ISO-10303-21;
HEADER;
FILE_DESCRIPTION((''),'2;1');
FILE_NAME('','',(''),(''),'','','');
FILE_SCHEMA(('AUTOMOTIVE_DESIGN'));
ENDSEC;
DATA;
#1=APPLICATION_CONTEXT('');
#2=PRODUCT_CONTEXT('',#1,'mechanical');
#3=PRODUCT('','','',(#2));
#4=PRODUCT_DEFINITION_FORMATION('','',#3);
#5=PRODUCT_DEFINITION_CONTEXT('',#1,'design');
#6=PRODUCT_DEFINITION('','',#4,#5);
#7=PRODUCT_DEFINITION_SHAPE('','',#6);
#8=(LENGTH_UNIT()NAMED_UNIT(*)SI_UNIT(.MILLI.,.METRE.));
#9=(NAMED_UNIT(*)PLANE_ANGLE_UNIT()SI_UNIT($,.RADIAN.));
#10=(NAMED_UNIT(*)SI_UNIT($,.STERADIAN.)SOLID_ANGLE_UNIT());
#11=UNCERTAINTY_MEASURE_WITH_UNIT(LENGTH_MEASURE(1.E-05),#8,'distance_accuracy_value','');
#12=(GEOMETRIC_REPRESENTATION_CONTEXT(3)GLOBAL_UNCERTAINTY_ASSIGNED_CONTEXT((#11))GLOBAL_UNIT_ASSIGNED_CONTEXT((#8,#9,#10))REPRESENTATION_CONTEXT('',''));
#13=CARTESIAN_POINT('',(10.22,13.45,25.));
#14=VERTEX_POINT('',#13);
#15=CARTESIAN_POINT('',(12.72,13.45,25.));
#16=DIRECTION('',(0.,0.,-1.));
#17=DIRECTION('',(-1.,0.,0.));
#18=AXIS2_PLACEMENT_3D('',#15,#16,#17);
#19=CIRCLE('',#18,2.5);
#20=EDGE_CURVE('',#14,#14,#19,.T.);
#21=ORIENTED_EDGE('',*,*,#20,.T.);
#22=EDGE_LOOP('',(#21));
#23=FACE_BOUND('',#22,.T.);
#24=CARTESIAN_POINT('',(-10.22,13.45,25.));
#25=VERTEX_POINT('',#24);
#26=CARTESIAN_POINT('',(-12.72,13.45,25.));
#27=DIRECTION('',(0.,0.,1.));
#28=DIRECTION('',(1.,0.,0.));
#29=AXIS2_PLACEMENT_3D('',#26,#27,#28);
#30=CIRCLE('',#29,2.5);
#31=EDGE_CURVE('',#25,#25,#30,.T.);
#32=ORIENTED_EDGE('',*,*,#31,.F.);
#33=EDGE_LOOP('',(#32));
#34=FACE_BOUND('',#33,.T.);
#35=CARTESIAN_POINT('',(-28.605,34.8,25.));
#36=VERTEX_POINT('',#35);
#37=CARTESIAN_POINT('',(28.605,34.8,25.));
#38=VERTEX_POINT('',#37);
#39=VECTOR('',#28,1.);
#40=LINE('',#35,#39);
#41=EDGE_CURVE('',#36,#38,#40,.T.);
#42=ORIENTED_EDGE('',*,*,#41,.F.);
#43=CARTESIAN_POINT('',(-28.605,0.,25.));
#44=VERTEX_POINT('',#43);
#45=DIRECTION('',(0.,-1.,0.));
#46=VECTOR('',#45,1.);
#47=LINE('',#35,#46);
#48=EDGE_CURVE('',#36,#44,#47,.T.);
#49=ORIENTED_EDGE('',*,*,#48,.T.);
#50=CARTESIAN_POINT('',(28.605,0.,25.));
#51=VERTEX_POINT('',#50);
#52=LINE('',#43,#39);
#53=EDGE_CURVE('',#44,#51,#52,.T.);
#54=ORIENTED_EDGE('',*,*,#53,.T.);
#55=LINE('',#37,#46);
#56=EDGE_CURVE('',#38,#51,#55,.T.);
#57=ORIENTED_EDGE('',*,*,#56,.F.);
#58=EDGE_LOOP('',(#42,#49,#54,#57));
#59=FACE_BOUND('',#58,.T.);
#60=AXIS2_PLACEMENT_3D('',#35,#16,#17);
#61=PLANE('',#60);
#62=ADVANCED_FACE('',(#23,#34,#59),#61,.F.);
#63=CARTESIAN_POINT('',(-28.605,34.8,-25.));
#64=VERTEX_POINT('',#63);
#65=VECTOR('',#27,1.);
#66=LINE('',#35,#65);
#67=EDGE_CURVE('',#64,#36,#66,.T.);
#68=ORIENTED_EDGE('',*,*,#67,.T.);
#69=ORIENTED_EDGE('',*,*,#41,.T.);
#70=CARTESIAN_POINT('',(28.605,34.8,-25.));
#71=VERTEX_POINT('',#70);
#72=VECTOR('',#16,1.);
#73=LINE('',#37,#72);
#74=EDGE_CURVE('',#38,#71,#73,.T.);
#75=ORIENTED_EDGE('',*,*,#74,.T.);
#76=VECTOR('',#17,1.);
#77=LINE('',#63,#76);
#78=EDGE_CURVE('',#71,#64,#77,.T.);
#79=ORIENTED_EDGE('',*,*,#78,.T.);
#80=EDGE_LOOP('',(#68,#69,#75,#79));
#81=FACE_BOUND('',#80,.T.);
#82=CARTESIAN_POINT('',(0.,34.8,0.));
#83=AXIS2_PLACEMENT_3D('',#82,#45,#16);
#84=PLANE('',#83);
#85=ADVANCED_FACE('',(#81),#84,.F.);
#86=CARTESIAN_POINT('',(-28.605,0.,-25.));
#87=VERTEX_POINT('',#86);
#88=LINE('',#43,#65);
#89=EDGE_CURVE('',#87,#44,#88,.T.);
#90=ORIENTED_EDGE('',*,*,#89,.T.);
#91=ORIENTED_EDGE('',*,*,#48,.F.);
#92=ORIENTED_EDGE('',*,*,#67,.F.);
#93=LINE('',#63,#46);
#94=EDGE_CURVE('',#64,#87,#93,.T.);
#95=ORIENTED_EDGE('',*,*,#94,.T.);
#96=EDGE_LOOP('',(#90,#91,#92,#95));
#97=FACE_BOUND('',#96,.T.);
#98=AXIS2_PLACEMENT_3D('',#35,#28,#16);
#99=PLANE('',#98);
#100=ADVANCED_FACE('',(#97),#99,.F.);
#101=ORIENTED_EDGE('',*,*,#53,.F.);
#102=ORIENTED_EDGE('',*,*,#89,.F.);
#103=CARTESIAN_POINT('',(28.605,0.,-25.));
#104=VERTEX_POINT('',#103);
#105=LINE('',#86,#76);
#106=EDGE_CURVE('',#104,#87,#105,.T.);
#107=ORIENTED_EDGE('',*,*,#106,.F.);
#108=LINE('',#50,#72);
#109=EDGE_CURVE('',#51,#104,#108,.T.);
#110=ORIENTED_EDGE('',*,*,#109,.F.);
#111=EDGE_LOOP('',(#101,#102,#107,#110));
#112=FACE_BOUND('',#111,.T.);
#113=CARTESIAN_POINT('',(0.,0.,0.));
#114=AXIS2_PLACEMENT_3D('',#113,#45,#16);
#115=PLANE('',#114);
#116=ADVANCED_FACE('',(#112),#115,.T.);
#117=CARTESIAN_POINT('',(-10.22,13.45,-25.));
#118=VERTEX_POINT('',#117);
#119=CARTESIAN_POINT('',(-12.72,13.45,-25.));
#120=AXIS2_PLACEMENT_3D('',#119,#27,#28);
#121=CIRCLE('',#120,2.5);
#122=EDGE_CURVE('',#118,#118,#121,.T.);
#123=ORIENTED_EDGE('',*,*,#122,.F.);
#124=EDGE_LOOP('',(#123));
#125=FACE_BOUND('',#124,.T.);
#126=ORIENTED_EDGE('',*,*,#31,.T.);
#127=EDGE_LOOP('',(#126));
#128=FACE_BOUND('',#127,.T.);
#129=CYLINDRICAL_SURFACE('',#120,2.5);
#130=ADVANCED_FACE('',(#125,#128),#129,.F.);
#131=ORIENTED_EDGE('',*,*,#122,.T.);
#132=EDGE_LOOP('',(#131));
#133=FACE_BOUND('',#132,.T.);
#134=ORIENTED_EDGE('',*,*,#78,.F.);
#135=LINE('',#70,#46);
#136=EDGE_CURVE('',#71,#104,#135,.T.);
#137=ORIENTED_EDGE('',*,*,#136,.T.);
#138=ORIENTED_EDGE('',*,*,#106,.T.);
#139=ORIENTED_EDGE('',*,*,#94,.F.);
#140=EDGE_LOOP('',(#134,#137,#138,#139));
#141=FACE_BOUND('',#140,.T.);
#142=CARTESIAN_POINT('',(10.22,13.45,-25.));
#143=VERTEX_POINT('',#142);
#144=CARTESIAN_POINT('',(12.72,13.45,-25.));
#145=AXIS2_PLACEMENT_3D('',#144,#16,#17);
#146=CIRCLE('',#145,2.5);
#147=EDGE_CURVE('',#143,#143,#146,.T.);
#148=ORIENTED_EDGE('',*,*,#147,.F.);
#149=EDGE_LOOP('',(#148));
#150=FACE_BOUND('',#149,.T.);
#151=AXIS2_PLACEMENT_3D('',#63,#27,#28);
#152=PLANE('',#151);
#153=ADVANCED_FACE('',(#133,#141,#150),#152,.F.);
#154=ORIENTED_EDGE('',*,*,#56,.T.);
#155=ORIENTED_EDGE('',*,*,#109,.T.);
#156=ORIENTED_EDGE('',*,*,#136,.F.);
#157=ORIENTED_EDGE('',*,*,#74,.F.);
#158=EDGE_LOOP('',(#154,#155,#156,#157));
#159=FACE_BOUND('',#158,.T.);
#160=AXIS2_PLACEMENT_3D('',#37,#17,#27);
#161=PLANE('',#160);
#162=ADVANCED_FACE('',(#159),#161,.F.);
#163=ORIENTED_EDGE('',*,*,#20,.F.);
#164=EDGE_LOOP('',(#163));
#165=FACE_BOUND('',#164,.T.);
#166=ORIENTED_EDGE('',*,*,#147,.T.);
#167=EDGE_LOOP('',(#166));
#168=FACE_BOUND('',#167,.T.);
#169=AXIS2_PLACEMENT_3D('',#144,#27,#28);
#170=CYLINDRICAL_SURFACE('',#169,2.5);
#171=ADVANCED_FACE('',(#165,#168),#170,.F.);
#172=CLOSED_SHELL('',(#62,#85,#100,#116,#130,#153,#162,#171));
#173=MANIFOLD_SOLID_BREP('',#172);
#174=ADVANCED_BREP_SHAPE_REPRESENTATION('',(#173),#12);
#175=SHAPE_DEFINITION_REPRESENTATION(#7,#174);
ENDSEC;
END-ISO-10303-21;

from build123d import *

# Parameters (mm, degrees)
SKETCH1_W           = 57.21
SKETCH1_H           = 50
BOSS_EXTRUDE1_DEPTH = 34.8
SKETCH2_R           = 2.5
CUT_EXTRUDE1_DEPTH  = 51


with BuildPart() as part:
    # Sketch1 → Boss-Extrude1 (new body)
    with BuildSketch(Plane(origin=(0, 0, 0), x_dir=(1, 0, 0), z_dir=(0, 1, 0))):
        Rectangle(SKETCH1_W, SKETCH1_H)
    extrude(amount=BOSS_EXTRUDE1_DEPTH)

    # Sketch2 → Cut-Extrude1 (cut, through all)
    with BuildSketch(Plane.XY.offset(25)):
        with Locations((-12.72, 13.45)):
            Circle(SKETCH2_R)
    cut_extrude1 = extrude(amount=-CUT_EXTRUDE1_DEPTH, mode=Mode.SUBTRACT)

    # Mirror1: Cut-Extrude1 across plane
    add(cut_extrude1.mirror(Plane(origin=(0, 0, 0), x_dir=(0, 0, 1), z_dir=(1, 0, 0))), mode=Mode.SUBTRACT)


solid = part.part
